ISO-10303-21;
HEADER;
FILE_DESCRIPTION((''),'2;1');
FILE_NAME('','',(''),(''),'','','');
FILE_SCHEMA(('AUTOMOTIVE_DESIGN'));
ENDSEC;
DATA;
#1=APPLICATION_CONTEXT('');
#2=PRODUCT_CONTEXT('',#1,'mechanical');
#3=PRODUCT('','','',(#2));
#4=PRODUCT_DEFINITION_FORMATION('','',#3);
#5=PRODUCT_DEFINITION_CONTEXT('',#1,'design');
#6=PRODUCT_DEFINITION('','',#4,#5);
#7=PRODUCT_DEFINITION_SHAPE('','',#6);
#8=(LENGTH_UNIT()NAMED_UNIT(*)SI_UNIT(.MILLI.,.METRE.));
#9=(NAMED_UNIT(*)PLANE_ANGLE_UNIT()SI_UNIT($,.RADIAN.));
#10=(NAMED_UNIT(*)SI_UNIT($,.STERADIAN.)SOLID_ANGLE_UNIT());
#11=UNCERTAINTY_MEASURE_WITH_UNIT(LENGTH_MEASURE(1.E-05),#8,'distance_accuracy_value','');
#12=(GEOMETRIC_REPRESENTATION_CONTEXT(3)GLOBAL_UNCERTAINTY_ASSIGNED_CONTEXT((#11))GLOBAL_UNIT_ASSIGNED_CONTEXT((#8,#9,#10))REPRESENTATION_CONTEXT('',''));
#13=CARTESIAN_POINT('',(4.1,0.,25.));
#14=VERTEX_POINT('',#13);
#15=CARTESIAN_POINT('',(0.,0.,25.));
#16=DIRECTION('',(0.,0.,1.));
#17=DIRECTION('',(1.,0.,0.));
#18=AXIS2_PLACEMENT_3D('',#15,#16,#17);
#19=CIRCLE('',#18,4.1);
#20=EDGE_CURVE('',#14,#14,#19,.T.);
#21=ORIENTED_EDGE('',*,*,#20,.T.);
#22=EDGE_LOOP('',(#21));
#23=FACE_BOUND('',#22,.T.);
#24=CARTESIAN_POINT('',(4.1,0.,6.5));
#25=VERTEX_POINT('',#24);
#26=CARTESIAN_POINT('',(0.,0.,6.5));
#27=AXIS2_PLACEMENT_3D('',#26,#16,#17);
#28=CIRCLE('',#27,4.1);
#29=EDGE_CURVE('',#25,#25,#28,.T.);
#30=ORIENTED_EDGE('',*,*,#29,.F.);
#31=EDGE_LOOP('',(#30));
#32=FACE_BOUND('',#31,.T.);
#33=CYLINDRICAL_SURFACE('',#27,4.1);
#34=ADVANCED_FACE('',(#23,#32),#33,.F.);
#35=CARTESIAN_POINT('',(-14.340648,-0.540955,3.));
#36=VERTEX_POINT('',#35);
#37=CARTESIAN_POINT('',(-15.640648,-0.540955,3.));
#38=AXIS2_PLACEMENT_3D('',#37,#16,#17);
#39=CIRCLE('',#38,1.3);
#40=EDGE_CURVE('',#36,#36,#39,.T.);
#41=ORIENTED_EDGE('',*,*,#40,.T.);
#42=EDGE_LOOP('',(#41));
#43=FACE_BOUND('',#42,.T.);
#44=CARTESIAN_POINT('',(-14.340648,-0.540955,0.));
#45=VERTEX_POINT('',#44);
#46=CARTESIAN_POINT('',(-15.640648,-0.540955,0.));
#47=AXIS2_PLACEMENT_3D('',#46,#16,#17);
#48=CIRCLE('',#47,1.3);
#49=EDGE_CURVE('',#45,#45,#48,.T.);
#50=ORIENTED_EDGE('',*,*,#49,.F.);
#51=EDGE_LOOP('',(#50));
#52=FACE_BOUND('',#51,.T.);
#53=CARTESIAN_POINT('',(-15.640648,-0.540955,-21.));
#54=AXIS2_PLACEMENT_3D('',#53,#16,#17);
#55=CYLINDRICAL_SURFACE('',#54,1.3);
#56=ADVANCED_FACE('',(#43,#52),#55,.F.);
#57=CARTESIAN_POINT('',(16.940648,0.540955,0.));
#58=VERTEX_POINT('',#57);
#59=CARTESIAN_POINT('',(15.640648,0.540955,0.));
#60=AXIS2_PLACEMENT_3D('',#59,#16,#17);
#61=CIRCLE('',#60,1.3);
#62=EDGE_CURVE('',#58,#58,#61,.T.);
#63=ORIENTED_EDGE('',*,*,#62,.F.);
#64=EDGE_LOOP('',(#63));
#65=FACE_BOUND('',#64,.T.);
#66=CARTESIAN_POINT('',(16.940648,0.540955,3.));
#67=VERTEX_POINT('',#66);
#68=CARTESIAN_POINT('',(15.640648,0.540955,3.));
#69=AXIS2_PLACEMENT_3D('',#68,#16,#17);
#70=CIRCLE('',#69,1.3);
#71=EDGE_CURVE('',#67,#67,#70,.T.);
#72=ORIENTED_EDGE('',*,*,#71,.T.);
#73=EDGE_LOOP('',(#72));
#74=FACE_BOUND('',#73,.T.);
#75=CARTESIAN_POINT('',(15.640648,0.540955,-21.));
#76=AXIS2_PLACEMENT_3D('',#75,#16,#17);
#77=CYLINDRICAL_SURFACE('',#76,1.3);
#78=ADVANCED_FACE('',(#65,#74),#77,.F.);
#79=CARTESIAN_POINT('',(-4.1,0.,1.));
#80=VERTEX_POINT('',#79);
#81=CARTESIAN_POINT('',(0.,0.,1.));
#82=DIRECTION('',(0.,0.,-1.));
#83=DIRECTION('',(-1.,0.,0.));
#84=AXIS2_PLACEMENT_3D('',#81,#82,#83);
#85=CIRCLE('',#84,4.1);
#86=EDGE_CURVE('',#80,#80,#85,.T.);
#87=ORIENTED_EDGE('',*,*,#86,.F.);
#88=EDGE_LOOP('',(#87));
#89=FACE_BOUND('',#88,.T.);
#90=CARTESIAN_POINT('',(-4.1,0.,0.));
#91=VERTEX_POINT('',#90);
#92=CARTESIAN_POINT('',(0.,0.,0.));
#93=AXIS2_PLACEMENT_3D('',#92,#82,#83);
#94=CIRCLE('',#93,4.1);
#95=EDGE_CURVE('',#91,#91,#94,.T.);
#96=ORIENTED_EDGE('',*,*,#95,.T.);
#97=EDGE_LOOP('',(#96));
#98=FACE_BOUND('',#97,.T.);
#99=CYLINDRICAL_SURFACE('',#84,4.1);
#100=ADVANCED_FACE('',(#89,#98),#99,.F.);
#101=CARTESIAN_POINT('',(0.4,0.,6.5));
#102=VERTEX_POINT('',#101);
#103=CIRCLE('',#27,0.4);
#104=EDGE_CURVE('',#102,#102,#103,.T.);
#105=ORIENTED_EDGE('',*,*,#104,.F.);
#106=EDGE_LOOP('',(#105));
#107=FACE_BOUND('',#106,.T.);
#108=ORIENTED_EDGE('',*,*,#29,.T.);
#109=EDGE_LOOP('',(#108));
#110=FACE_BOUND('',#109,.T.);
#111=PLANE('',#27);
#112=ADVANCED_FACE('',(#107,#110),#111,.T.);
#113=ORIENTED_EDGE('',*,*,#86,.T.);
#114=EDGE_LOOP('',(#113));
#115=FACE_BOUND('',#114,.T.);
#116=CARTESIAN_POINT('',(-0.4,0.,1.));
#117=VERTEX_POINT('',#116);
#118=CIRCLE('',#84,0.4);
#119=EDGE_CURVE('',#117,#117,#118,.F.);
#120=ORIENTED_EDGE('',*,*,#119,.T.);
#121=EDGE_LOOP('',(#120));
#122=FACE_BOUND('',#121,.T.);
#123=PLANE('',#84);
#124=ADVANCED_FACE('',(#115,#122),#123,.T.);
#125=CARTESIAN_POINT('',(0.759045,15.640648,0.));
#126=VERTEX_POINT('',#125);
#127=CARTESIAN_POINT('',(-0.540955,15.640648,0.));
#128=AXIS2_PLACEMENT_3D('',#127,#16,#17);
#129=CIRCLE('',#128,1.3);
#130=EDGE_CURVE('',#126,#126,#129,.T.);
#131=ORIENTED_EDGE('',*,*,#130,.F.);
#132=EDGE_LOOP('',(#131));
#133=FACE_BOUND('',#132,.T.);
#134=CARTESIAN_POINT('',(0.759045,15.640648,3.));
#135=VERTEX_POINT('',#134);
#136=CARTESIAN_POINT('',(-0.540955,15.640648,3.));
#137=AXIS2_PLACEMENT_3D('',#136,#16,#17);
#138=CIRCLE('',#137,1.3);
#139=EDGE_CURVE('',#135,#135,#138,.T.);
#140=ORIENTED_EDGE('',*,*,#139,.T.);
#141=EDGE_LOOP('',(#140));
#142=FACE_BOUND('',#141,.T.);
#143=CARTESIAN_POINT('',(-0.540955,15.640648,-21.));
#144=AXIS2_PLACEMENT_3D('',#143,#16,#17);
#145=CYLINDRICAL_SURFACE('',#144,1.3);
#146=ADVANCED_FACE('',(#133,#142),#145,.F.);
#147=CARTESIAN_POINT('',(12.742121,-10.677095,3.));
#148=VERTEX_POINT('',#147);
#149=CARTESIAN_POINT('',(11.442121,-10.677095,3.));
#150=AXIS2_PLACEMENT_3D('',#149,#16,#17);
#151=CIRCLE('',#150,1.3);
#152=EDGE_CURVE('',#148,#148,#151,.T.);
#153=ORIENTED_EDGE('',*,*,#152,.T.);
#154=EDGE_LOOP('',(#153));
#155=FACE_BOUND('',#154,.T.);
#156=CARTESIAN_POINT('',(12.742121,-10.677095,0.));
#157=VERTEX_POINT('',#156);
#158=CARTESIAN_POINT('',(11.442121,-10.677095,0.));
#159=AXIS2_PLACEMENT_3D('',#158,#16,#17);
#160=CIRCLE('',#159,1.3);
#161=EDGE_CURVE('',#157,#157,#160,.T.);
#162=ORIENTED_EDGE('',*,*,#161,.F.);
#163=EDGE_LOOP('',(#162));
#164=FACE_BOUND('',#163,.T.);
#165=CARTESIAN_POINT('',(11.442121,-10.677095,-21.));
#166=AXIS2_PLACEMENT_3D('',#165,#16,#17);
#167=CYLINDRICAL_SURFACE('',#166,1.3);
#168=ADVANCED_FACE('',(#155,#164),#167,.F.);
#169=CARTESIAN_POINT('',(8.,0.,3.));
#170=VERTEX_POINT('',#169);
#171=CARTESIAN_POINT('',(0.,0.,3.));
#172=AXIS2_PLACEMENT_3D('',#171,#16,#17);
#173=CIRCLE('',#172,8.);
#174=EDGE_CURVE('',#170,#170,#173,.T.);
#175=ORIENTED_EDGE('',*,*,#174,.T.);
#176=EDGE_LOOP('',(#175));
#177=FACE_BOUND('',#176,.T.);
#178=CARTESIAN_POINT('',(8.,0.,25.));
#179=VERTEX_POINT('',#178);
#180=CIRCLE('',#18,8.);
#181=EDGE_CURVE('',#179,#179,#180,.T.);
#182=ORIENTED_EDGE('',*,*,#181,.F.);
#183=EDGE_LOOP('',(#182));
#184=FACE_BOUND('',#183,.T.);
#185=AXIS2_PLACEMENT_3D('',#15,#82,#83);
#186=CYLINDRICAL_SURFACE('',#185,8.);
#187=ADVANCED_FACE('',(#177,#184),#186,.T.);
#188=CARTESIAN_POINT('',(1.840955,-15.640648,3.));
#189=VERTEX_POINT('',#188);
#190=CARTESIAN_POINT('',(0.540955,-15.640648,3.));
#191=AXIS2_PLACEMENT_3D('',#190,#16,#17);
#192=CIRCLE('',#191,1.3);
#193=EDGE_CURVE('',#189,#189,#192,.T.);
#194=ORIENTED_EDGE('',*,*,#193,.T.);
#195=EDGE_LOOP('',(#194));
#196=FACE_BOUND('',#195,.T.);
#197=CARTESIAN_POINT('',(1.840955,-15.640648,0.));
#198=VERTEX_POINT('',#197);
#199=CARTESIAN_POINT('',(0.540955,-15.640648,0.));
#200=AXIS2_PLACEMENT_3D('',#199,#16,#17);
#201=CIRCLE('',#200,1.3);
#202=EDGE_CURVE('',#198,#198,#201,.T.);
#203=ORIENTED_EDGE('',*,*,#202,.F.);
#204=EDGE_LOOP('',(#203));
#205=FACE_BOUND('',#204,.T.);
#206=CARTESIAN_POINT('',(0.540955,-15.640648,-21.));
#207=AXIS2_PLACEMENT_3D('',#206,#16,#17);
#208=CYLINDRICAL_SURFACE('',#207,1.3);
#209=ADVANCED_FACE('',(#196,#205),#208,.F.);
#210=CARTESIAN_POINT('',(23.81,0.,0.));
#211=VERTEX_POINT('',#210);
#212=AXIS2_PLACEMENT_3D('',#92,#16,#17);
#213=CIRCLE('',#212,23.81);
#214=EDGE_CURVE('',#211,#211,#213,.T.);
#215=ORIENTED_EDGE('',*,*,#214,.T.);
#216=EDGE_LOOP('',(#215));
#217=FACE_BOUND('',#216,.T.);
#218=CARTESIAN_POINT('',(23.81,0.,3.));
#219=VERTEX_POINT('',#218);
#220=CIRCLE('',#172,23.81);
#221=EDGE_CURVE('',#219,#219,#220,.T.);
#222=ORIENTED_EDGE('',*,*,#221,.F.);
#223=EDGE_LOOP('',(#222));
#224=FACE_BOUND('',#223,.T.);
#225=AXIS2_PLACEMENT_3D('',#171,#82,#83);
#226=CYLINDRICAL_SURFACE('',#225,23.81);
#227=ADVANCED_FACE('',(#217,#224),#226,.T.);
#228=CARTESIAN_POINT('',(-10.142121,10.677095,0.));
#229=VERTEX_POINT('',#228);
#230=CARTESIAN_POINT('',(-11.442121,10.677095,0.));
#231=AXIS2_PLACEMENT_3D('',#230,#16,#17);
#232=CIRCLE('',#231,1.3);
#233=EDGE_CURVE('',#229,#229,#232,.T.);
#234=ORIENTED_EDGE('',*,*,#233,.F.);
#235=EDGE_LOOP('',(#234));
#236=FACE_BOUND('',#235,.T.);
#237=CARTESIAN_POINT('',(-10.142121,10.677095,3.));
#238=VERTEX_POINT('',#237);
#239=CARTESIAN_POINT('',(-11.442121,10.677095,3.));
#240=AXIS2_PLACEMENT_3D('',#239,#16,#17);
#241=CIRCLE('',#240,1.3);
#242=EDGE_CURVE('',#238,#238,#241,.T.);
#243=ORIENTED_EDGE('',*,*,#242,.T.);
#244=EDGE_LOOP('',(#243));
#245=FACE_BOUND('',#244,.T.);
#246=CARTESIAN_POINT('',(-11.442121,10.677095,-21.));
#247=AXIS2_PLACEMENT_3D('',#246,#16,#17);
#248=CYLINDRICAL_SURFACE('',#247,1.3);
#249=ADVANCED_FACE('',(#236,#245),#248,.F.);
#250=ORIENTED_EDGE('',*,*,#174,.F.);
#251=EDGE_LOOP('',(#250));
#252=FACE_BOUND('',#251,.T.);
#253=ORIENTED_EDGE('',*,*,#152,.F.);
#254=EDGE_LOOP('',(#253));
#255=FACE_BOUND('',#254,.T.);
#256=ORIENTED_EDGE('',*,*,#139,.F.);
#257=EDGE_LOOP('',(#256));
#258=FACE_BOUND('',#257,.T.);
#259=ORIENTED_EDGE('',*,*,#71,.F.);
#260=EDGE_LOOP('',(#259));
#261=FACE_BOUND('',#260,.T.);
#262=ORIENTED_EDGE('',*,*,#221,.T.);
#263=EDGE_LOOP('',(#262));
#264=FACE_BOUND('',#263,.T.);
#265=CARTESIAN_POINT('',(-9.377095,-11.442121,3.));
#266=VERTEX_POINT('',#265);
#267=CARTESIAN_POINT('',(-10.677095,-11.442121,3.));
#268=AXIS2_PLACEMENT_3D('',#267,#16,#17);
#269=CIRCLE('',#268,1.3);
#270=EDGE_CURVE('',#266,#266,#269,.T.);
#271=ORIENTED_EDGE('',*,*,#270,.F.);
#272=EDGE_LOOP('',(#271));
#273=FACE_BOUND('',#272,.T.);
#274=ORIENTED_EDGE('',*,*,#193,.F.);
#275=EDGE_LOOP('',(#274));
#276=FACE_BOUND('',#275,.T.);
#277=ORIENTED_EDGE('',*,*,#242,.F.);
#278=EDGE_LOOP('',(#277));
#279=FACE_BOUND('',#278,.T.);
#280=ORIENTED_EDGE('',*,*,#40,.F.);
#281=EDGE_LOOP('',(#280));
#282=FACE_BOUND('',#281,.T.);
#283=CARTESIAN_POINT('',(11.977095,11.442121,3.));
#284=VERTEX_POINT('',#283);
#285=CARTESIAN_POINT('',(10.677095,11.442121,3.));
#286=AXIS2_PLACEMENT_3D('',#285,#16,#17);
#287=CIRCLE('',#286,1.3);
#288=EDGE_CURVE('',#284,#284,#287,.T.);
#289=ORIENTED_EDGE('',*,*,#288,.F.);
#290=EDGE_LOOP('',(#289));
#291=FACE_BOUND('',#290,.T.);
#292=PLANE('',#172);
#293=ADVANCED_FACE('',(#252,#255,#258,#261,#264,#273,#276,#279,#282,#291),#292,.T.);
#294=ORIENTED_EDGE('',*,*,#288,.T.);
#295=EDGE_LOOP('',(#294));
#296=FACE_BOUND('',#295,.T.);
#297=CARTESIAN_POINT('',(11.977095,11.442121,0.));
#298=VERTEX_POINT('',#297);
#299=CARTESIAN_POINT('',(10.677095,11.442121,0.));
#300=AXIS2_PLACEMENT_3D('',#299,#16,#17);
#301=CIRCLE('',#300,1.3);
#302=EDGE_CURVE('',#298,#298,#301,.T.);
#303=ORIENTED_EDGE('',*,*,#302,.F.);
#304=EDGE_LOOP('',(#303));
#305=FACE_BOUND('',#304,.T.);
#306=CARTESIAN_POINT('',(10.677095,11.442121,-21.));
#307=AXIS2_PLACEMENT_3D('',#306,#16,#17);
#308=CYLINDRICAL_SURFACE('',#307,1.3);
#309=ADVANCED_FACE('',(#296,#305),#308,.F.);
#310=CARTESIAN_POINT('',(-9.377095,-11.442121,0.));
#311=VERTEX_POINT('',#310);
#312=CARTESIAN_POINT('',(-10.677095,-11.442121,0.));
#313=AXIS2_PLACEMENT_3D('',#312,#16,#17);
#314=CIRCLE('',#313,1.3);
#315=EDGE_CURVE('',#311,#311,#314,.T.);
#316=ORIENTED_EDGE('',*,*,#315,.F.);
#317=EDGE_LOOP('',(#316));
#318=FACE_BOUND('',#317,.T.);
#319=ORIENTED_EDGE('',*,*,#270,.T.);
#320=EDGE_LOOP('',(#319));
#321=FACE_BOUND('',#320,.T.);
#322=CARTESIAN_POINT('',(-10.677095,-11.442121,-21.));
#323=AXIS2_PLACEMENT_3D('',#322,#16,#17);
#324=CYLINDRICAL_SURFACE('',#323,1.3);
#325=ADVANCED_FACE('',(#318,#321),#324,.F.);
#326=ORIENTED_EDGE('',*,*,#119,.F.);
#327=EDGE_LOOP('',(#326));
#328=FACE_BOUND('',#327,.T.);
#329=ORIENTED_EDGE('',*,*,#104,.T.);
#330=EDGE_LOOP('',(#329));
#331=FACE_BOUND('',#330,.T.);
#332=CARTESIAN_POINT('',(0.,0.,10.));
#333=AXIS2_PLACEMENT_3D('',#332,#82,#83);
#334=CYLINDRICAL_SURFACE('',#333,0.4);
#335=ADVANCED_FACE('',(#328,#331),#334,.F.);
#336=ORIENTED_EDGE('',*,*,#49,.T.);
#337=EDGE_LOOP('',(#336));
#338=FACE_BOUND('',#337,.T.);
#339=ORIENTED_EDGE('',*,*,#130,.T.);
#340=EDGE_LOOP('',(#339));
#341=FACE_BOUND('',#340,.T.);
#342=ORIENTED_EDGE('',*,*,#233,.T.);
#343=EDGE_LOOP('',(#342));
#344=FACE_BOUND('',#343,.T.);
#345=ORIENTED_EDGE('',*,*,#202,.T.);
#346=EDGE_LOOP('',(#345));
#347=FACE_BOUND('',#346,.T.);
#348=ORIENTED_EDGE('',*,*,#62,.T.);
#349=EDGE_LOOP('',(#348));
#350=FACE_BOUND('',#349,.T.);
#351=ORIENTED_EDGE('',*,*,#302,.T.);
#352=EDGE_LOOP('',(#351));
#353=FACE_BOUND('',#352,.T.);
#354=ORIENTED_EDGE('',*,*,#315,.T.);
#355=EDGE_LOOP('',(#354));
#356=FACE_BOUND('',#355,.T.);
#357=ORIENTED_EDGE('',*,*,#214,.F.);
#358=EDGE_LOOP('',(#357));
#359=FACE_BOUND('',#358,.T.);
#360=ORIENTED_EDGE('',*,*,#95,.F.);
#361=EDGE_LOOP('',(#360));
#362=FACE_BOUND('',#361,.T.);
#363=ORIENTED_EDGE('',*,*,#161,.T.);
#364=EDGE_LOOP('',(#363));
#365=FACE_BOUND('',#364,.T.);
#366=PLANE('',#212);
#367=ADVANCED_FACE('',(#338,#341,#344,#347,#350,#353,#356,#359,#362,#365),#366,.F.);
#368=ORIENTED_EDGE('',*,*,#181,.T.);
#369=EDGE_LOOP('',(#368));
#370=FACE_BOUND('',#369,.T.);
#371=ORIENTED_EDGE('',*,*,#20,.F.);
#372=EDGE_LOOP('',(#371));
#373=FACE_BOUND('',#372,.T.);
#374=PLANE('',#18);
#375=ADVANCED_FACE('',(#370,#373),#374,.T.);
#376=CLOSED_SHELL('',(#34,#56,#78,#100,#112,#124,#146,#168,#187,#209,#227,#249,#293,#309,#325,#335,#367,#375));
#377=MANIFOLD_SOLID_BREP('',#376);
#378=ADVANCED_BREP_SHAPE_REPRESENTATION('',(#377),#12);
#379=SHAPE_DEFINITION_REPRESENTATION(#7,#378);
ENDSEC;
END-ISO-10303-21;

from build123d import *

# Parameters (mm, degrees)
ESQUISSE1_R             = 23.81
BOSS_EXTRU_1_DEPTH      = 3
ESQUISSE2_R             = 8
BOSS_EXTRU_2_DEPTH      = 22
ESQUISSE3_R             = 1.3
ENL_V_MAT_EXTRU_1_DEPTH = 24
ESQUISSE4_R             = 4.1
ENL_V_MAT_EXTRU_2_DEPTH = 18.5
ESQUISSE5_R             = 0.4
ENL_V_MAT_EXTRU_3_DEPTH = 10
ENL_V_START             = -1
ESQUISSE6_R             = 4.1
ENL_V_MAT_EXTRU_4_DEPTH = 1


with BuildPart() as part:
    # Esquisse1 → Boss.-Extru.1 (new body)
    with BuildSketch(Plane.XY):
        Circle(ESQUISSE1_R)
    extrude(amount=BOSS_EXTRU_1_DEPTH)

    # Esquisse2 → Boss.-Extru.2 (add)
    with BuildSketch(Plane.XY.offset(3)):
        Circle(ESQUISSE2_R)
    extrude(amount=BOSS_EXTRU_2_DEPTH)

    # Esquisse3 → Enlèv. mat.-Extru.1 (cut)
    with BuildSketch(Plane.XY.offset(3)):
        with Locations((-11.442120986, 10.677095455)):
            Circle(ESQUISSE3_R)
        with Locations((-0.540954741, 15.64064794)):
            Circle(ESQUISSE3_R)
        with Locations((10.677095455, 11.442120986)):
            Circle(ESQUISSE3_R)
        with Locations((15.64064794, 0.540954741)):
            Circle(ESQUISSE3_R)
        with Locations((11.442120986, -10.677095455)):
            Circle(ESQUISSE3_R)
        with Locations((0.540954741, -15.64064794)):
            Circle(ESQUISSE3_R)
        with Locations((-10.677095455, -11.442120986)):
            Circle(ESQUISSE3_R)
        with Locations((-15.64064794, -0.540954741)):
            Circle(ESQUISSE3_R)
    extrude(amount=-ENL_V_MAT_EXTRU_1_DEPTH, mode=Mode.SUBTRACT)

    # Esquisse4 → Enlèv. mat.-Extru.2 (cut)
    with BuildSketch(Plane.XY.offset(25)):
        Circle(ESQUISSE4_R)
    extrude(amount=-ENL_V_MAT_EXTRU_2_DEPTH, mode=Mode.SUBTRACT)

    # Esquisse5 → Enlèv. mat.-Extru.3 (cut)
    with BuildSketch(Plane(origin=(0, 0, 0), x_dir=(-1, 0, 0), z_dir=(0, 0, -1))):
        Circle(ESQUISSE5_R)
    extrude(amount=-ENL_V_MAT_EXTRU_3_DEPTH, mode=Mode.SUBTRACT)

    # Esquisse6 → Enlèv. mat.-Extru.4 (cut)
    with BuildSketch(Plane(origin=(0, 0, 0), x_dir=(-1, 0, 0), z_dir=(0, 0, -1)).offset(ENL_V_START)):
        with Locations(Location((0, 0, 0), (0, 0, 180))):
            Circle(ESQUISSE6_R)
    extrude(amount=ENL_V_MAT_EXTRU_4_DEPTH, mode=Mode.SUBTRACT)


solid = part.part
